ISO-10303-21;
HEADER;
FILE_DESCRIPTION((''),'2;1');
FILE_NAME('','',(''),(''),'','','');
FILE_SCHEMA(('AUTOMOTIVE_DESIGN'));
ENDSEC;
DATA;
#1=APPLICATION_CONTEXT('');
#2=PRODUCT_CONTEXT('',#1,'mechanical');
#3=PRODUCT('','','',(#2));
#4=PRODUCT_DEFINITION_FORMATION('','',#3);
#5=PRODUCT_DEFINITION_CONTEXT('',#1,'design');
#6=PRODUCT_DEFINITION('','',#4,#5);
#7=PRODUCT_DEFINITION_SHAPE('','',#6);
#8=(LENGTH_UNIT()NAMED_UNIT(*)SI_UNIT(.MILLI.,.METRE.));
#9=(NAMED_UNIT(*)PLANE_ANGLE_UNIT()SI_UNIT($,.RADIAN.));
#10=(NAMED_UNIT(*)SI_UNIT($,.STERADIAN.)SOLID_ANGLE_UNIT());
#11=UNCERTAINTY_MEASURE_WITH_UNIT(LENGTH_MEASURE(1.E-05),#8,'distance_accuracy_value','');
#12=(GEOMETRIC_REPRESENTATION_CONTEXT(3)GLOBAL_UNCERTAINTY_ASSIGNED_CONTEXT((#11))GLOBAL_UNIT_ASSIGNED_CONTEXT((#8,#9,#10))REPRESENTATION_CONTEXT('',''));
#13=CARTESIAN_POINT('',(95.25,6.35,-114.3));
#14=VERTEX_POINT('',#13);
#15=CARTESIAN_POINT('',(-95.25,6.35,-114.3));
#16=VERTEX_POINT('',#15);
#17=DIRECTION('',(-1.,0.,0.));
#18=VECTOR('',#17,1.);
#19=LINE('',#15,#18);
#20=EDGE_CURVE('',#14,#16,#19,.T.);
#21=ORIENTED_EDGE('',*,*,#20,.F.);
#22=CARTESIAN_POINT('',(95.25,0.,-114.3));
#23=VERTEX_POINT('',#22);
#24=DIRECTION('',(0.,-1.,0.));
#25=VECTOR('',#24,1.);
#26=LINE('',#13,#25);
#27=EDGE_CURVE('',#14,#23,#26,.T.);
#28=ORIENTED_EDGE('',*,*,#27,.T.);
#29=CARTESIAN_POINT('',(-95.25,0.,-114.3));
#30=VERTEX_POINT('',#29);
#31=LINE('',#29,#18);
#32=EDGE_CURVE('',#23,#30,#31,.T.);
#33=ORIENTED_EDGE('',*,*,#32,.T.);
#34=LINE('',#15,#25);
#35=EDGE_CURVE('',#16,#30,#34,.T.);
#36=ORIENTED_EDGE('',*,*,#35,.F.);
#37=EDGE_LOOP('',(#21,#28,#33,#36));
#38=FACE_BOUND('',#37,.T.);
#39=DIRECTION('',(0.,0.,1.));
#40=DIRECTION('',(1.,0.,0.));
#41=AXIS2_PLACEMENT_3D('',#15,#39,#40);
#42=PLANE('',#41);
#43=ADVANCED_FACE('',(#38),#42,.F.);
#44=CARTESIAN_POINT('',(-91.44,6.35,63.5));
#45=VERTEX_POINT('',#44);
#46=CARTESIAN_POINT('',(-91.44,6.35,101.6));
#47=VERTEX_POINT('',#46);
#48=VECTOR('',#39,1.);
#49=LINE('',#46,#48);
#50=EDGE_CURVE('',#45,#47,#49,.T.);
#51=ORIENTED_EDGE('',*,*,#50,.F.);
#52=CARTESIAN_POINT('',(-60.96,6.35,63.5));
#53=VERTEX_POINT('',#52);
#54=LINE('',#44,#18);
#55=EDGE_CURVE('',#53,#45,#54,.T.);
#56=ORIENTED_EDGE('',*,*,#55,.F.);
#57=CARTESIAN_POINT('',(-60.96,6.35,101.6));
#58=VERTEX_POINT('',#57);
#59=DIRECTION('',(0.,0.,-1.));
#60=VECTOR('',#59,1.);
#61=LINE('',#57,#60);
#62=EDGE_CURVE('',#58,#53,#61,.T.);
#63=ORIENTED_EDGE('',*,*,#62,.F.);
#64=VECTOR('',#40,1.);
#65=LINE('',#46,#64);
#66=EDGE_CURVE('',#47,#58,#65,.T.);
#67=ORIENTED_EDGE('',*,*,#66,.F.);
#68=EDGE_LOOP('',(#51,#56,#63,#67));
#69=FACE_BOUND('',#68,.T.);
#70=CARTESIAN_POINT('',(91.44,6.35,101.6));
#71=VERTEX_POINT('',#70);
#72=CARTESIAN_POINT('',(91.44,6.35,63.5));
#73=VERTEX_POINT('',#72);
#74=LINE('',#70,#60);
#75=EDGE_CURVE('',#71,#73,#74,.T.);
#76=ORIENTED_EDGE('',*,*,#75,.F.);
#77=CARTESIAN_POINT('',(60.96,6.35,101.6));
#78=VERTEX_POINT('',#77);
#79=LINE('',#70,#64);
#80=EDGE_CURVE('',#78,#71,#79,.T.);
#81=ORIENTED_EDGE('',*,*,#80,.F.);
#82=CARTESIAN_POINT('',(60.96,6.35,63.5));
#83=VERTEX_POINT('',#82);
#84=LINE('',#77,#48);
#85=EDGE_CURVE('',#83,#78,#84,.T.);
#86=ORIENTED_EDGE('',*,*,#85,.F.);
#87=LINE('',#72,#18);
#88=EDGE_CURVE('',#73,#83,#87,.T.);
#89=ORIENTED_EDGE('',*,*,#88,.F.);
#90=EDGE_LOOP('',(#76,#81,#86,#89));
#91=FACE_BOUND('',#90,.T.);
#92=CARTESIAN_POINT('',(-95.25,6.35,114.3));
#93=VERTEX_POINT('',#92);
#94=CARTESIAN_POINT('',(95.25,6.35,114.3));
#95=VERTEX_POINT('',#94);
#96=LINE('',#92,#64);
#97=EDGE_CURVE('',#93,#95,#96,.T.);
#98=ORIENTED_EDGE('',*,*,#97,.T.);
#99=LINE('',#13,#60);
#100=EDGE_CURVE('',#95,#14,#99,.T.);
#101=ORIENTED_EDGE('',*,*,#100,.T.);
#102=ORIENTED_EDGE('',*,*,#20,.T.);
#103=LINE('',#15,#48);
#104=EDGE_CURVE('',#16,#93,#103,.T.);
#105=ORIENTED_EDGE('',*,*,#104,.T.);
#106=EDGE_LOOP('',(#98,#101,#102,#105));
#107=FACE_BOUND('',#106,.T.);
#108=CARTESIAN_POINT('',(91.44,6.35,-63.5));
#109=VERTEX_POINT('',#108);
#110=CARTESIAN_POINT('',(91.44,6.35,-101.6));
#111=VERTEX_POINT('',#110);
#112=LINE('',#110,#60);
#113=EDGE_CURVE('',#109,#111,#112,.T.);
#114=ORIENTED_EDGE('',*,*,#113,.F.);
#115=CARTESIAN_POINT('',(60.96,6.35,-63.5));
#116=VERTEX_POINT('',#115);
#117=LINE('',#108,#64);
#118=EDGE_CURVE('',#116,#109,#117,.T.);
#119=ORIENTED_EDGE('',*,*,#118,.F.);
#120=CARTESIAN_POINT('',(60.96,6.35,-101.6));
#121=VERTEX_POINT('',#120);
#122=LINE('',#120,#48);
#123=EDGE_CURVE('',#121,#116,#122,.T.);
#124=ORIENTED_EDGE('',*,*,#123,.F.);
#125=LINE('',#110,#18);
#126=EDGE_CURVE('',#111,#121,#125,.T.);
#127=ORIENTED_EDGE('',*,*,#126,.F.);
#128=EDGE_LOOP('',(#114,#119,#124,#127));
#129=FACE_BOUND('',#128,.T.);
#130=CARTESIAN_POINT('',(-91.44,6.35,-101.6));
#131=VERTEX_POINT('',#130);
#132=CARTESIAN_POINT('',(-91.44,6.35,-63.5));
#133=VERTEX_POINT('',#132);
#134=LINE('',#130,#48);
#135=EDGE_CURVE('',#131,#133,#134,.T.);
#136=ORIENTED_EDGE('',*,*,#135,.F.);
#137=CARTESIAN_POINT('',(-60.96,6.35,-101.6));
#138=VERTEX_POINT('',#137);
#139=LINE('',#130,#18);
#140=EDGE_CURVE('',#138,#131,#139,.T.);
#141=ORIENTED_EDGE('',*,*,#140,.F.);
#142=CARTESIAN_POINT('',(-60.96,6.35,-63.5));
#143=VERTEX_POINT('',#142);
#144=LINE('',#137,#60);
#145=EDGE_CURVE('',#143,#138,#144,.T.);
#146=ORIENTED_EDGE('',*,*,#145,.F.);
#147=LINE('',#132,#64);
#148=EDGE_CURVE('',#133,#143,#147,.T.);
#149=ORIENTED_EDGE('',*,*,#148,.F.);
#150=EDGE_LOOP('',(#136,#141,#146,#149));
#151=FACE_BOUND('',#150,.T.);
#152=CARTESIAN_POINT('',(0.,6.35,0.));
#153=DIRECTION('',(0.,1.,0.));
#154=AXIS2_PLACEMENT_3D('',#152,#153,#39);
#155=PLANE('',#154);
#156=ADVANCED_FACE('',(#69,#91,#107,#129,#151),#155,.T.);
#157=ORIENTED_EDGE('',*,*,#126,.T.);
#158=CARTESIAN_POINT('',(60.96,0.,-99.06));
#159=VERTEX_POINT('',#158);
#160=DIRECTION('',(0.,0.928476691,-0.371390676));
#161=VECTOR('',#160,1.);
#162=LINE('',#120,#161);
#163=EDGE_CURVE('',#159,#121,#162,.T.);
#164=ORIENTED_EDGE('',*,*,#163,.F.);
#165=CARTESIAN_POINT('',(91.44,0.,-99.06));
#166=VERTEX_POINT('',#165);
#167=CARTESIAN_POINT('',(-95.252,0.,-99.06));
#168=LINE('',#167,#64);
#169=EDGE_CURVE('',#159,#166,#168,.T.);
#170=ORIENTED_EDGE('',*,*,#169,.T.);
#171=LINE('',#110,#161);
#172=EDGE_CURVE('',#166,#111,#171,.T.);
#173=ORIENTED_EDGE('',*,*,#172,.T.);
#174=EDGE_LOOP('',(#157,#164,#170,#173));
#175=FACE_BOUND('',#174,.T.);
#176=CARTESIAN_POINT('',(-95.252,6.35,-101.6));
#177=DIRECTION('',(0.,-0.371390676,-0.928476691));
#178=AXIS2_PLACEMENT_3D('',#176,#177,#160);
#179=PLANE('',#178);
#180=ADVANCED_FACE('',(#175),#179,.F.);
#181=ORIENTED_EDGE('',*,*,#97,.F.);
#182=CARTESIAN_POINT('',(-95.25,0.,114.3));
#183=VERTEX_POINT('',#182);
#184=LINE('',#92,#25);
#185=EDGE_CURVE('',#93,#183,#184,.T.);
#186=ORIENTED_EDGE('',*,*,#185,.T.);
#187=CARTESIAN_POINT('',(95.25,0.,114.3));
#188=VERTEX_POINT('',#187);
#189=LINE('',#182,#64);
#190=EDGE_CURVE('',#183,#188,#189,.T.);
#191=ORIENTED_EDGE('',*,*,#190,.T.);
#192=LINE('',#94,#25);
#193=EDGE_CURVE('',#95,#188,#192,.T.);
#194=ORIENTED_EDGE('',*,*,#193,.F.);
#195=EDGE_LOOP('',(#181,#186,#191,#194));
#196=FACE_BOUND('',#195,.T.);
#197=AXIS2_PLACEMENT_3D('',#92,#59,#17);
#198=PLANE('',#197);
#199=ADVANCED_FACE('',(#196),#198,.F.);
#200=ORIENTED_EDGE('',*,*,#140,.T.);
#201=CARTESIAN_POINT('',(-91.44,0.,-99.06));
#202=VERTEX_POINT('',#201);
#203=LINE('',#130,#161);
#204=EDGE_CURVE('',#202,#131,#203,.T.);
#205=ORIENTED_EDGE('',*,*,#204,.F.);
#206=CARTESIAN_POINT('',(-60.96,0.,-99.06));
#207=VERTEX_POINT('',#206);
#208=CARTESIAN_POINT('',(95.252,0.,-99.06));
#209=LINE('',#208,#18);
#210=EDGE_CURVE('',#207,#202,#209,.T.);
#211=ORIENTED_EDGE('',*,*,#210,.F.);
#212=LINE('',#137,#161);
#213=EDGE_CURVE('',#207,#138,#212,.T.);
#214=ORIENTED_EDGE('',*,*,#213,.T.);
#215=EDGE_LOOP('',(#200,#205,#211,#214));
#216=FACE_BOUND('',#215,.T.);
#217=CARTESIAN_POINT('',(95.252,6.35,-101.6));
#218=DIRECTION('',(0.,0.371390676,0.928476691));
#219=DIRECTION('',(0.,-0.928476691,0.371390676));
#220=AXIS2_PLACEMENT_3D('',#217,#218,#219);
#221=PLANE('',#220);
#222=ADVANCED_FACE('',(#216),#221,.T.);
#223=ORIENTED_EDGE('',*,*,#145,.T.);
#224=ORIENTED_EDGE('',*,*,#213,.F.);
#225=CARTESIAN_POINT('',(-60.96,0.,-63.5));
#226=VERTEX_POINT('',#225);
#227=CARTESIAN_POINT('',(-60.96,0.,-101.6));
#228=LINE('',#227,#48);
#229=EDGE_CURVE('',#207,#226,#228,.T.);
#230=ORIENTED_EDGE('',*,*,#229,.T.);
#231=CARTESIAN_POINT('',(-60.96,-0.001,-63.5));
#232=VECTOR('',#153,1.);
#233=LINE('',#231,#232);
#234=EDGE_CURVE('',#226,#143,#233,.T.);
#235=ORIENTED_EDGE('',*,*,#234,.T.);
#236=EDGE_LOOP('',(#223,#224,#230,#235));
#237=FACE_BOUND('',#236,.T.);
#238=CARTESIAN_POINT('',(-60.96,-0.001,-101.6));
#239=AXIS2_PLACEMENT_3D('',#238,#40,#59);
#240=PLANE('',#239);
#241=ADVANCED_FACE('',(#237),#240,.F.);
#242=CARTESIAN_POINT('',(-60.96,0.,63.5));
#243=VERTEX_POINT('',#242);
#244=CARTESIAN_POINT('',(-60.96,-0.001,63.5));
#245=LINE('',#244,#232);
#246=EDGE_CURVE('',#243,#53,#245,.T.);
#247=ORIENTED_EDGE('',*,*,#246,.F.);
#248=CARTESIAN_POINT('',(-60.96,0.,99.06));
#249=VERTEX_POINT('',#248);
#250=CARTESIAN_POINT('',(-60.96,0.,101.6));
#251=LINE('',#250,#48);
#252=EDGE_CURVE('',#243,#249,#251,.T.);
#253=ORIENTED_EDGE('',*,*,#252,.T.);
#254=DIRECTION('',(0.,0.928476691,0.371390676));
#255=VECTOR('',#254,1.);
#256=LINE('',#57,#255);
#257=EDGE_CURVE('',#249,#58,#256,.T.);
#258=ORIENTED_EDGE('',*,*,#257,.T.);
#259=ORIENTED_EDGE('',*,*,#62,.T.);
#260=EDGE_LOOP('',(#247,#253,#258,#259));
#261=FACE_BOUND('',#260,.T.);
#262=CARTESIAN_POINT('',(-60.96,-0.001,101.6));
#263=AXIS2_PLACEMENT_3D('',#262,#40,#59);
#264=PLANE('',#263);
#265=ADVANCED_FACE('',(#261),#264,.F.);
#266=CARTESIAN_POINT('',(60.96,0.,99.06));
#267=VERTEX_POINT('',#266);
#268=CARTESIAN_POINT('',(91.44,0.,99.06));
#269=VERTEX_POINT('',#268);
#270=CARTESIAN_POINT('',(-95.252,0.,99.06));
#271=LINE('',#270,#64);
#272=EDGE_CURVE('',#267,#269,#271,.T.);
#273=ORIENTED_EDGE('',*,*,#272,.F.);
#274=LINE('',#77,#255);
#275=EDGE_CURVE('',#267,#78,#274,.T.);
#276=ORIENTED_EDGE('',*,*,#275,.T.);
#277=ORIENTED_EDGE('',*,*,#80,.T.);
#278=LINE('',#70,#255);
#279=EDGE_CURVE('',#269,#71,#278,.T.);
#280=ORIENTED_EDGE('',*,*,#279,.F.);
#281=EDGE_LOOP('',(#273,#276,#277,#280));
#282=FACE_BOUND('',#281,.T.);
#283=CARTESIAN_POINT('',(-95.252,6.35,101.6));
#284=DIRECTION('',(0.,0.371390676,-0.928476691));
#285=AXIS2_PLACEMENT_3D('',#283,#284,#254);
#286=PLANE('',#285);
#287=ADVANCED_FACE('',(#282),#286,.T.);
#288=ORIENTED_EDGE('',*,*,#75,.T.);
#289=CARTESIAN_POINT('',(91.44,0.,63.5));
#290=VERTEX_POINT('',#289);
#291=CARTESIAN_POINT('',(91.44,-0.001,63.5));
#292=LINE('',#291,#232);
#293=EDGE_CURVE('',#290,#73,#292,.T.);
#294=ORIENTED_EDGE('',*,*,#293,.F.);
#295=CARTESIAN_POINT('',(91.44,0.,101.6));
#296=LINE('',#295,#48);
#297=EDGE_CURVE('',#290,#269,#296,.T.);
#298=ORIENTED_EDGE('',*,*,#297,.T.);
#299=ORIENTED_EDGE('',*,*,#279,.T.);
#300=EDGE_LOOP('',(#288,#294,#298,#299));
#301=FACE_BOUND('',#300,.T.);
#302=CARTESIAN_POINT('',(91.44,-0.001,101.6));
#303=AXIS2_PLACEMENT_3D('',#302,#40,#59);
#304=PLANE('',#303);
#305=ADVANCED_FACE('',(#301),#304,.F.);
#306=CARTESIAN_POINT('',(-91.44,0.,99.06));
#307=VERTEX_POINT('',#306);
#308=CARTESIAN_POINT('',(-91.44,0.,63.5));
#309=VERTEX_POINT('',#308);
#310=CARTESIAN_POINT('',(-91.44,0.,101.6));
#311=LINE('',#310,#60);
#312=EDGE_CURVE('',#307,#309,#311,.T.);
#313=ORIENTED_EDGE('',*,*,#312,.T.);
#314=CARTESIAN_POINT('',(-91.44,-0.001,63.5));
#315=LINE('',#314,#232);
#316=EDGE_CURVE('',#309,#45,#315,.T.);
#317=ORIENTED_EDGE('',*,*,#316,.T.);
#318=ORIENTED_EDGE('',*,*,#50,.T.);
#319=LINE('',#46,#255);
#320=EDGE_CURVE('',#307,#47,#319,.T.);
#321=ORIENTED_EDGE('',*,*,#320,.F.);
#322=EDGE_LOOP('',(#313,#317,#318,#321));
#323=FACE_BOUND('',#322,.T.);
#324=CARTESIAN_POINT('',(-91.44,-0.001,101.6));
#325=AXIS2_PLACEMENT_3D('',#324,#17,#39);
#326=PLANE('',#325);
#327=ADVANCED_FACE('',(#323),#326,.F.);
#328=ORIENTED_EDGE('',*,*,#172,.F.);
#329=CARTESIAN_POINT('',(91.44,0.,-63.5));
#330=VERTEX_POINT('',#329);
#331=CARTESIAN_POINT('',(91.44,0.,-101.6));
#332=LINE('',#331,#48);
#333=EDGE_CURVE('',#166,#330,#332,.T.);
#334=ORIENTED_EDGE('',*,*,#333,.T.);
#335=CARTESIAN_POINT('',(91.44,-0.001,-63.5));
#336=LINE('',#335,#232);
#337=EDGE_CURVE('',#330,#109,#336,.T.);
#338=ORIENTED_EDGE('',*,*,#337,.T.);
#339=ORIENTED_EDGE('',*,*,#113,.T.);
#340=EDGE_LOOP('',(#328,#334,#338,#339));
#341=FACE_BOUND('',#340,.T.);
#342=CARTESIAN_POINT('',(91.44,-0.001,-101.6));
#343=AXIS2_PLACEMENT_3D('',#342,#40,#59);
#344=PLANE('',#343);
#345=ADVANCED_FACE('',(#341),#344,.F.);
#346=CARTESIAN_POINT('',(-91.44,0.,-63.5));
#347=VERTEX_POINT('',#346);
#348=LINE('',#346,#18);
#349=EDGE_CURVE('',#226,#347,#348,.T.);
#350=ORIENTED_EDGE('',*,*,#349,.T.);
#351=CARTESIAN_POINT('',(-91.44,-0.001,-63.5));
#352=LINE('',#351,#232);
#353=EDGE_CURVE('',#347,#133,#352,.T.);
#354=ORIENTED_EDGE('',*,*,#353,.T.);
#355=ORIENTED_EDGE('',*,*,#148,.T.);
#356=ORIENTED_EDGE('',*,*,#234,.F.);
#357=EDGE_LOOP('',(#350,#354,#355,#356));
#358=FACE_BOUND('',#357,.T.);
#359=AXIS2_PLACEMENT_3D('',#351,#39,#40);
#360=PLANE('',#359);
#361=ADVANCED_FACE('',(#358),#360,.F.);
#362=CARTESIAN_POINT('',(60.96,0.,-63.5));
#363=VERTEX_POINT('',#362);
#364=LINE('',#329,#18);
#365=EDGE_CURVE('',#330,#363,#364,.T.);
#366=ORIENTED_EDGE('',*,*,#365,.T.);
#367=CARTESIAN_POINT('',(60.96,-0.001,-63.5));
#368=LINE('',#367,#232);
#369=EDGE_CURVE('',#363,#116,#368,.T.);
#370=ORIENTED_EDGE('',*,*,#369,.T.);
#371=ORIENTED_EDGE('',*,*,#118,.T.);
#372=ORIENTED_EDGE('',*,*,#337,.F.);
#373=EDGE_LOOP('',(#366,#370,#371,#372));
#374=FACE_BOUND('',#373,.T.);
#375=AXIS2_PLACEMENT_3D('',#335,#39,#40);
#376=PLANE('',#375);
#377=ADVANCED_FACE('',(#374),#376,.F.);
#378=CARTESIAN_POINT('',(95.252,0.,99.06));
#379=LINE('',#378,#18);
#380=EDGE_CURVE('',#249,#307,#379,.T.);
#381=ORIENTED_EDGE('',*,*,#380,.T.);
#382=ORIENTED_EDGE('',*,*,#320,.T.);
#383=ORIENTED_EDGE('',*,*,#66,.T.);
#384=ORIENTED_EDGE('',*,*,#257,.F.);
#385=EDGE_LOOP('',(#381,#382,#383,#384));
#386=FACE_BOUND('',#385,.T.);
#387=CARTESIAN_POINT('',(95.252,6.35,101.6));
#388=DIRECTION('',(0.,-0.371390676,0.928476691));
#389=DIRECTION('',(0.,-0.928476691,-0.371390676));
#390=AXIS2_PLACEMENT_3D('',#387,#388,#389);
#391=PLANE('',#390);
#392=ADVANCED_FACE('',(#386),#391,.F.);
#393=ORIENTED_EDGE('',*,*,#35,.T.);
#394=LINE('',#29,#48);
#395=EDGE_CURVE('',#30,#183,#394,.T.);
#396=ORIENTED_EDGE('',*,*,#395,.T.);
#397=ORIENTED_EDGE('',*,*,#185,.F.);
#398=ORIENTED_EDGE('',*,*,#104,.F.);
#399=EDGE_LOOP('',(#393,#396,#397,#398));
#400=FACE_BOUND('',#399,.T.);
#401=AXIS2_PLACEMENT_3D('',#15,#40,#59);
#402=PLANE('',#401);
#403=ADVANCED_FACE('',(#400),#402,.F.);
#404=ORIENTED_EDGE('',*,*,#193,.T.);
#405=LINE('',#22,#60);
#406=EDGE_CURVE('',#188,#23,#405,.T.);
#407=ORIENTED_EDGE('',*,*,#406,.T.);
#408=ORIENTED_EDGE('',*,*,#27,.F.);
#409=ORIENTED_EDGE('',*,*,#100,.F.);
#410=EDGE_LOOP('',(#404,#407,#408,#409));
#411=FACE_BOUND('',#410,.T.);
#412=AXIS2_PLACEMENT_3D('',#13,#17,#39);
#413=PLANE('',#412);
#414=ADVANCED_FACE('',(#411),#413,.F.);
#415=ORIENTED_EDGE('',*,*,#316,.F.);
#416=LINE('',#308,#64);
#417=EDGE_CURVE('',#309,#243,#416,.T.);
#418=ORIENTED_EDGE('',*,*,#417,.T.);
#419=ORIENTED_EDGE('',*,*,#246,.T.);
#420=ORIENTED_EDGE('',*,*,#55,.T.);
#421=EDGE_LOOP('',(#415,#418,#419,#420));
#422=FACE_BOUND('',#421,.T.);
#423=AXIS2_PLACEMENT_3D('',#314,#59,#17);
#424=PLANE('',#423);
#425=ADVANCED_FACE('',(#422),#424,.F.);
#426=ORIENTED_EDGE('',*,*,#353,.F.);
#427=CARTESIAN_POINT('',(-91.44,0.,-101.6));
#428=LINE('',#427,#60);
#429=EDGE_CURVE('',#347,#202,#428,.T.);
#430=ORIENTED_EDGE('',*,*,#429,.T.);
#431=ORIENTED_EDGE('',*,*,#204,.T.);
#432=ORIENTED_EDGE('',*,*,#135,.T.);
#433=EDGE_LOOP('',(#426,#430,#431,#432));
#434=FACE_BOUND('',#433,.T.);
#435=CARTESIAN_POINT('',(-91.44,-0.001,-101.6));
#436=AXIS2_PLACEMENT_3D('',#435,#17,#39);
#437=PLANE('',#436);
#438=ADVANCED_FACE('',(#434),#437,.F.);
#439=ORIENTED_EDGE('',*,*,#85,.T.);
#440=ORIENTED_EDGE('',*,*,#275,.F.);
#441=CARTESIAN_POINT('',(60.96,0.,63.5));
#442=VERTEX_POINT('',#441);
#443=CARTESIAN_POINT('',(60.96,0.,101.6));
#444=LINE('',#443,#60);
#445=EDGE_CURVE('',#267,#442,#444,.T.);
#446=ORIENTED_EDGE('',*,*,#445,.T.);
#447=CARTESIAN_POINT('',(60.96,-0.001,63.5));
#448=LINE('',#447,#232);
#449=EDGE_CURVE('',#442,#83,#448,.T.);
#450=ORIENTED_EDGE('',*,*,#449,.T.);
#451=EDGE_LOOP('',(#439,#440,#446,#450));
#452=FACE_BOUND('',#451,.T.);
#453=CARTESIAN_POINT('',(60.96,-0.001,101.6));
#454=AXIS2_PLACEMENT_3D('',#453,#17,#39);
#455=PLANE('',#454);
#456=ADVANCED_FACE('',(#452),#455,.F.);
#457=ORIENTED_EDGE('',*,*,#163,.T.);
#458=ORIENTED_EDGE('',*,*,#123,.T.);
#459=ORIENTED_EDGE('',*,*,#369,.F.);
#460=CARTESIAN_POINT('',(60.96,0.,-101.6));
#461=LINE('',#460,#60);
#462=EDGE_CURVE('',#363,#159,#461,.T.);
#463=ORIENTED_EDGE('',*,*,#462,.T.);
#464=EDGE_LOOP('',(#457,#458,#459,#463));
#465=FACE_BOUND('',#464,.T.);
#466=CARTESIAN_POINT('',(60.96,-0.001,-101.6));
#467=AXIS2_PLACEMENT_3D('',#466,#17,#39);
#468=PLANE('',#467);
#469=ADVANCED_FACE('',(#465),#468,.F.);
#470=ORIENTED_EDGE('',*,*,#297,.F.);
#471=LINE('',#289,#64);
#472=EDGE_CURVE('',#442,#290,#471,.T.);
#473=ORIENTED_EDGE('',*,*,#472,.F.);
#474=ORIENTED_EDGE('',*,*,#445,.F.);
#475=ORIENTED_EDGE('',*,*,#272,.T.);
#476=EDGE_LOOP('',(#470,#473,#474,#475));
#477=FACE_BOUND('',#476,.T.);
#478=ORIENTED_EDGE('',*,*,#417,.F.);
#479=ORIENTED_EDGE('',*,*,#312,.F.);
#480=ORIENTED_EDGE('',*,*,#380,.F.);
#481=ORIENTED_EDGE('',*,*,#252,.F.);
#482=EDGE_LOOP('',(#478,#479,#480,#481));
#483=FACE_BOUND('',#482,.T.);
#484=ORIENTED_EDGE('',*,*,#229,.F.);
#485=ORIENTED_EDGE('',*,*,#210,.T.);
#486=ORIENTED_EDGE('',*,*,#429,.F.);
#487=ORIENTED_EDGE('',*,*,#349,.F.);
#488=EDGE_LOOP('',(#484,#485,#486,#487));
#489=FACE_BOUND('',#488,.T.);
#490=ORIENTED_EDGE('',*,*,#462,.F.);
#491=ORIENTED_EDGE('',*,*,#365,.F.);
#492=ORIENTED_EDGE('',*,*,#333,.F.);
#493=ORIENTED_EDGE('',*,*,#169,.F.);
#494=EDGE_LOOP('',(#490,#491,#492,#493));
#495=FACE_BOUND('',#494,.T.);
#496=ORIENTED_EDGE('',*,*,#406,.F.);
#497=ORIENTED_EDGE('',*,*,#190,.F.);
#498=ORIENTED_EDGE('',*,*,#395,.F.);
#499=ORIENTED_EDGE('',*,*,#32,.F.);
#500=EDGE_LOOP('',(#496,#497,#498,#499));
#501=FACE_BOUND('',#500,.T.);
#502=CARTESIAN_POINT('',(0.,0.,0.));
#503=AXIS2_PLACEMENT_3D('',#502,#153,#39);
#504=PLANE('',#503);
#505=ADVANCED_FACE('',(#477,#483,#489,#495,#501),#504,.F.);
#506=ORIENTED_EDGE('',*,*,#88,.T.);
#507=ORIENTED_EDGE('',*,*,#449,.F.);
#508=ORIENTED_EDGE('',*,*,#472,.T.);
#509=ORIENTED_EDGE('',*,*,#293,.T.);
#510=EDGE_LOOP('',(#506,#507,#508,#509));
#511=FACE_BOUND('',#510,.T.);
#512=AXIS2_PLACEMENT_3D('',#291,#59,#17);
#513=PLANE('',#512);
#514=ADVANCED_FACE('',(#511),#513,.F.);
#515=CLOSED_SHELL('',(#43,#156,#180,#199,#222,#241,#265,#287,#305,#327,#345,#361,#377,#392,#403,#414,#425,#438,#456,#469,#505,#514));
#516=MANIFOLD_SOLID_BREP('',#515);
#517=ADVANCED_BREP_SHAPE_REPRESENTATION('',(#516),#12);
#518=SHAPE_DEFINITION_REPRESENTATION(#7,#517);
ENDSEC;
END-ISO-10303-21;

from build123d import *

# Parameters (mm, degrees)
SKETCH1_W            = 190.5
SKETCH1_H            = 228.6
BOSS_EXTRUDE1_DEPTH  = 6.35
CUT_EXTRUDE1_REACH   = 8.35
SKETCH2_W            = 30.48
SKETCH2_H            = 38.1
BOSS_EXTRUDE2_DEPTH  = 30.48
MIRROR2_COPY_1_DEPTH = 30.48


with BuildPart() as part:
    # Sketch1 → Boss-Extrude1 (new body)
    with BuildSketch(Plane(origin=(0, 0, 0), x_dir=(1, 0, 0), z_dir=(0, 1, 0))):
        Rectangle(SKETCH1_W, SKETCH1_H)
    extrude(amount=BOSS_EXTRUDE1_DEPTH)

    # Sketch2 → Cut-Extrude1 (cut, up to next)
    with BuildSketch(Plane(origin=(0, 6.35, 0), x_dir=(1, 0, 0), z_dir=(0, 1, 0)), mode=Mode.PRIVATE) as cut_extrude1_sk1:
        with Locations((-76.2, 82.55)):
            Rectangle(SKETCH2_W, SKETCH2_H)
    cut_extrude1_tool1 = extrude(cut_extrude1_sk1.sketch, amount=-CUT_EXTRUDE1_REACH, mode=Mode.PRIVATE) & part.part
    add(cut_extrude1_tool1.solids().sort_by_distance((-76.2, 6.35, -82.55))[0], mode=Mode.SUBTRACT)
    # Sketch2 → Cut-Extrude1 (cut, up to next)
    with BuildSketch(Plane(origin=(0, 6.35, 0), x_dir=(1, 0, 0), z_dir=(0, 1, 0)), mode=Mode.PRIVATE) as cut_extrude1_sk2:
        with Locations((-76.2, -82.55)):
            Rectangle(SKETCH2_W, SKETCH2_H)
    cut_extrude1_tool2 = extrude(cut_extrude1_sk2.sketch, amount=-CUT_EXTRUDE1_REACH, mode=Mode.PRIVATE) & part.part
    add(cut_extrude1_tool2.solids().sort_by_distance((-76.2, 6.35, 82.55))[0], mode=Mode.SUBTRACT)
    # Sketch2 → Cut-Extrude1 (cut, up to next)
    with BuildSketch(Plane(origin=(0, 6.35, 0), x_dir=(1, 0, 0), z_dir=(0, 1, 0)), mode=Mode.PRIVATE) as cut_extrude1_sk3:
        with Locations((76.2, -82.55)):
            Rectangle(SKETCH2_W, SKETCH2_H)
    cut_extrude1_tool3 = extrude(cut_extrude1_sk3.sketch, amount=-CUT_EXTRUDE1_REACH, mode=Mode.PRIVATE) & part.part
    add(cut_extrude1_tool3.solids().sort_by_distance((76.2, 6.35, 82.55))[0], mode=Mode.SUBTRACT)
    # Sketch2 → Cut-Extrude1 (cut, up to next)
    with BuildSketch(Plane(origin=(0, 6.35, 0), x_dir=(1, 0, 0), z_dir=(0, 1, 0)), mode=Mode.PRIVATE) as cut_extrude1_sk4:
        with Locations((76.2, 82.55)):
            Rectangle(SKETCH2_W, SKETCH2_H)
    cut_extrude1_tool4 = extrude(cut_extrude1_sk4.sketch, amount=-CUT_EXTRUDE1_REACH, mode=Mode.PRIVATE) & part.part
    add(cut_extrude1_tool4.solids().sort_by_distance((76.2, 6.35, -82.55))[0], mode=Mode.SUBTRACT)

    # Sketch3 → Boss-Extrude2 (add)
    with BuildSketch(Plane.ZY.offset(-91.44)):
        Polygon((-101.6, 6.35), (-101.6, 0), (-99.06, 0), align=None)
    boss_extrude2 = extrude(amount=BOSS_EXTRUDE2_DEPTH)

    # Mirror1: Boss-Extrude2 across plane
    add(boss_extrude2.mirror(Plane.XY))

    # Mirror2: Boss-Extrude2 across plane
    add(boss_extrude2.mirror(Plane(origin=(0, 0, 0), x_dir=(0, 0, 1), z_dir=(1, 0, 0))))

    # Mirror2 copy 1 sketch → Mirror2 copy 1 (add)
    with BuildSketch(Plane(origin=(-91.44, 0, 0), x_dir=(0, 0, -1), z_dir=(1, 0, 0))):
        Polygon((-101.6, 6.35), (-101.6, 0), (-99.06, 0), align=None)
    extrude(amount=MIRROR2_COPY_1_DEPTH)


solid = part.part
